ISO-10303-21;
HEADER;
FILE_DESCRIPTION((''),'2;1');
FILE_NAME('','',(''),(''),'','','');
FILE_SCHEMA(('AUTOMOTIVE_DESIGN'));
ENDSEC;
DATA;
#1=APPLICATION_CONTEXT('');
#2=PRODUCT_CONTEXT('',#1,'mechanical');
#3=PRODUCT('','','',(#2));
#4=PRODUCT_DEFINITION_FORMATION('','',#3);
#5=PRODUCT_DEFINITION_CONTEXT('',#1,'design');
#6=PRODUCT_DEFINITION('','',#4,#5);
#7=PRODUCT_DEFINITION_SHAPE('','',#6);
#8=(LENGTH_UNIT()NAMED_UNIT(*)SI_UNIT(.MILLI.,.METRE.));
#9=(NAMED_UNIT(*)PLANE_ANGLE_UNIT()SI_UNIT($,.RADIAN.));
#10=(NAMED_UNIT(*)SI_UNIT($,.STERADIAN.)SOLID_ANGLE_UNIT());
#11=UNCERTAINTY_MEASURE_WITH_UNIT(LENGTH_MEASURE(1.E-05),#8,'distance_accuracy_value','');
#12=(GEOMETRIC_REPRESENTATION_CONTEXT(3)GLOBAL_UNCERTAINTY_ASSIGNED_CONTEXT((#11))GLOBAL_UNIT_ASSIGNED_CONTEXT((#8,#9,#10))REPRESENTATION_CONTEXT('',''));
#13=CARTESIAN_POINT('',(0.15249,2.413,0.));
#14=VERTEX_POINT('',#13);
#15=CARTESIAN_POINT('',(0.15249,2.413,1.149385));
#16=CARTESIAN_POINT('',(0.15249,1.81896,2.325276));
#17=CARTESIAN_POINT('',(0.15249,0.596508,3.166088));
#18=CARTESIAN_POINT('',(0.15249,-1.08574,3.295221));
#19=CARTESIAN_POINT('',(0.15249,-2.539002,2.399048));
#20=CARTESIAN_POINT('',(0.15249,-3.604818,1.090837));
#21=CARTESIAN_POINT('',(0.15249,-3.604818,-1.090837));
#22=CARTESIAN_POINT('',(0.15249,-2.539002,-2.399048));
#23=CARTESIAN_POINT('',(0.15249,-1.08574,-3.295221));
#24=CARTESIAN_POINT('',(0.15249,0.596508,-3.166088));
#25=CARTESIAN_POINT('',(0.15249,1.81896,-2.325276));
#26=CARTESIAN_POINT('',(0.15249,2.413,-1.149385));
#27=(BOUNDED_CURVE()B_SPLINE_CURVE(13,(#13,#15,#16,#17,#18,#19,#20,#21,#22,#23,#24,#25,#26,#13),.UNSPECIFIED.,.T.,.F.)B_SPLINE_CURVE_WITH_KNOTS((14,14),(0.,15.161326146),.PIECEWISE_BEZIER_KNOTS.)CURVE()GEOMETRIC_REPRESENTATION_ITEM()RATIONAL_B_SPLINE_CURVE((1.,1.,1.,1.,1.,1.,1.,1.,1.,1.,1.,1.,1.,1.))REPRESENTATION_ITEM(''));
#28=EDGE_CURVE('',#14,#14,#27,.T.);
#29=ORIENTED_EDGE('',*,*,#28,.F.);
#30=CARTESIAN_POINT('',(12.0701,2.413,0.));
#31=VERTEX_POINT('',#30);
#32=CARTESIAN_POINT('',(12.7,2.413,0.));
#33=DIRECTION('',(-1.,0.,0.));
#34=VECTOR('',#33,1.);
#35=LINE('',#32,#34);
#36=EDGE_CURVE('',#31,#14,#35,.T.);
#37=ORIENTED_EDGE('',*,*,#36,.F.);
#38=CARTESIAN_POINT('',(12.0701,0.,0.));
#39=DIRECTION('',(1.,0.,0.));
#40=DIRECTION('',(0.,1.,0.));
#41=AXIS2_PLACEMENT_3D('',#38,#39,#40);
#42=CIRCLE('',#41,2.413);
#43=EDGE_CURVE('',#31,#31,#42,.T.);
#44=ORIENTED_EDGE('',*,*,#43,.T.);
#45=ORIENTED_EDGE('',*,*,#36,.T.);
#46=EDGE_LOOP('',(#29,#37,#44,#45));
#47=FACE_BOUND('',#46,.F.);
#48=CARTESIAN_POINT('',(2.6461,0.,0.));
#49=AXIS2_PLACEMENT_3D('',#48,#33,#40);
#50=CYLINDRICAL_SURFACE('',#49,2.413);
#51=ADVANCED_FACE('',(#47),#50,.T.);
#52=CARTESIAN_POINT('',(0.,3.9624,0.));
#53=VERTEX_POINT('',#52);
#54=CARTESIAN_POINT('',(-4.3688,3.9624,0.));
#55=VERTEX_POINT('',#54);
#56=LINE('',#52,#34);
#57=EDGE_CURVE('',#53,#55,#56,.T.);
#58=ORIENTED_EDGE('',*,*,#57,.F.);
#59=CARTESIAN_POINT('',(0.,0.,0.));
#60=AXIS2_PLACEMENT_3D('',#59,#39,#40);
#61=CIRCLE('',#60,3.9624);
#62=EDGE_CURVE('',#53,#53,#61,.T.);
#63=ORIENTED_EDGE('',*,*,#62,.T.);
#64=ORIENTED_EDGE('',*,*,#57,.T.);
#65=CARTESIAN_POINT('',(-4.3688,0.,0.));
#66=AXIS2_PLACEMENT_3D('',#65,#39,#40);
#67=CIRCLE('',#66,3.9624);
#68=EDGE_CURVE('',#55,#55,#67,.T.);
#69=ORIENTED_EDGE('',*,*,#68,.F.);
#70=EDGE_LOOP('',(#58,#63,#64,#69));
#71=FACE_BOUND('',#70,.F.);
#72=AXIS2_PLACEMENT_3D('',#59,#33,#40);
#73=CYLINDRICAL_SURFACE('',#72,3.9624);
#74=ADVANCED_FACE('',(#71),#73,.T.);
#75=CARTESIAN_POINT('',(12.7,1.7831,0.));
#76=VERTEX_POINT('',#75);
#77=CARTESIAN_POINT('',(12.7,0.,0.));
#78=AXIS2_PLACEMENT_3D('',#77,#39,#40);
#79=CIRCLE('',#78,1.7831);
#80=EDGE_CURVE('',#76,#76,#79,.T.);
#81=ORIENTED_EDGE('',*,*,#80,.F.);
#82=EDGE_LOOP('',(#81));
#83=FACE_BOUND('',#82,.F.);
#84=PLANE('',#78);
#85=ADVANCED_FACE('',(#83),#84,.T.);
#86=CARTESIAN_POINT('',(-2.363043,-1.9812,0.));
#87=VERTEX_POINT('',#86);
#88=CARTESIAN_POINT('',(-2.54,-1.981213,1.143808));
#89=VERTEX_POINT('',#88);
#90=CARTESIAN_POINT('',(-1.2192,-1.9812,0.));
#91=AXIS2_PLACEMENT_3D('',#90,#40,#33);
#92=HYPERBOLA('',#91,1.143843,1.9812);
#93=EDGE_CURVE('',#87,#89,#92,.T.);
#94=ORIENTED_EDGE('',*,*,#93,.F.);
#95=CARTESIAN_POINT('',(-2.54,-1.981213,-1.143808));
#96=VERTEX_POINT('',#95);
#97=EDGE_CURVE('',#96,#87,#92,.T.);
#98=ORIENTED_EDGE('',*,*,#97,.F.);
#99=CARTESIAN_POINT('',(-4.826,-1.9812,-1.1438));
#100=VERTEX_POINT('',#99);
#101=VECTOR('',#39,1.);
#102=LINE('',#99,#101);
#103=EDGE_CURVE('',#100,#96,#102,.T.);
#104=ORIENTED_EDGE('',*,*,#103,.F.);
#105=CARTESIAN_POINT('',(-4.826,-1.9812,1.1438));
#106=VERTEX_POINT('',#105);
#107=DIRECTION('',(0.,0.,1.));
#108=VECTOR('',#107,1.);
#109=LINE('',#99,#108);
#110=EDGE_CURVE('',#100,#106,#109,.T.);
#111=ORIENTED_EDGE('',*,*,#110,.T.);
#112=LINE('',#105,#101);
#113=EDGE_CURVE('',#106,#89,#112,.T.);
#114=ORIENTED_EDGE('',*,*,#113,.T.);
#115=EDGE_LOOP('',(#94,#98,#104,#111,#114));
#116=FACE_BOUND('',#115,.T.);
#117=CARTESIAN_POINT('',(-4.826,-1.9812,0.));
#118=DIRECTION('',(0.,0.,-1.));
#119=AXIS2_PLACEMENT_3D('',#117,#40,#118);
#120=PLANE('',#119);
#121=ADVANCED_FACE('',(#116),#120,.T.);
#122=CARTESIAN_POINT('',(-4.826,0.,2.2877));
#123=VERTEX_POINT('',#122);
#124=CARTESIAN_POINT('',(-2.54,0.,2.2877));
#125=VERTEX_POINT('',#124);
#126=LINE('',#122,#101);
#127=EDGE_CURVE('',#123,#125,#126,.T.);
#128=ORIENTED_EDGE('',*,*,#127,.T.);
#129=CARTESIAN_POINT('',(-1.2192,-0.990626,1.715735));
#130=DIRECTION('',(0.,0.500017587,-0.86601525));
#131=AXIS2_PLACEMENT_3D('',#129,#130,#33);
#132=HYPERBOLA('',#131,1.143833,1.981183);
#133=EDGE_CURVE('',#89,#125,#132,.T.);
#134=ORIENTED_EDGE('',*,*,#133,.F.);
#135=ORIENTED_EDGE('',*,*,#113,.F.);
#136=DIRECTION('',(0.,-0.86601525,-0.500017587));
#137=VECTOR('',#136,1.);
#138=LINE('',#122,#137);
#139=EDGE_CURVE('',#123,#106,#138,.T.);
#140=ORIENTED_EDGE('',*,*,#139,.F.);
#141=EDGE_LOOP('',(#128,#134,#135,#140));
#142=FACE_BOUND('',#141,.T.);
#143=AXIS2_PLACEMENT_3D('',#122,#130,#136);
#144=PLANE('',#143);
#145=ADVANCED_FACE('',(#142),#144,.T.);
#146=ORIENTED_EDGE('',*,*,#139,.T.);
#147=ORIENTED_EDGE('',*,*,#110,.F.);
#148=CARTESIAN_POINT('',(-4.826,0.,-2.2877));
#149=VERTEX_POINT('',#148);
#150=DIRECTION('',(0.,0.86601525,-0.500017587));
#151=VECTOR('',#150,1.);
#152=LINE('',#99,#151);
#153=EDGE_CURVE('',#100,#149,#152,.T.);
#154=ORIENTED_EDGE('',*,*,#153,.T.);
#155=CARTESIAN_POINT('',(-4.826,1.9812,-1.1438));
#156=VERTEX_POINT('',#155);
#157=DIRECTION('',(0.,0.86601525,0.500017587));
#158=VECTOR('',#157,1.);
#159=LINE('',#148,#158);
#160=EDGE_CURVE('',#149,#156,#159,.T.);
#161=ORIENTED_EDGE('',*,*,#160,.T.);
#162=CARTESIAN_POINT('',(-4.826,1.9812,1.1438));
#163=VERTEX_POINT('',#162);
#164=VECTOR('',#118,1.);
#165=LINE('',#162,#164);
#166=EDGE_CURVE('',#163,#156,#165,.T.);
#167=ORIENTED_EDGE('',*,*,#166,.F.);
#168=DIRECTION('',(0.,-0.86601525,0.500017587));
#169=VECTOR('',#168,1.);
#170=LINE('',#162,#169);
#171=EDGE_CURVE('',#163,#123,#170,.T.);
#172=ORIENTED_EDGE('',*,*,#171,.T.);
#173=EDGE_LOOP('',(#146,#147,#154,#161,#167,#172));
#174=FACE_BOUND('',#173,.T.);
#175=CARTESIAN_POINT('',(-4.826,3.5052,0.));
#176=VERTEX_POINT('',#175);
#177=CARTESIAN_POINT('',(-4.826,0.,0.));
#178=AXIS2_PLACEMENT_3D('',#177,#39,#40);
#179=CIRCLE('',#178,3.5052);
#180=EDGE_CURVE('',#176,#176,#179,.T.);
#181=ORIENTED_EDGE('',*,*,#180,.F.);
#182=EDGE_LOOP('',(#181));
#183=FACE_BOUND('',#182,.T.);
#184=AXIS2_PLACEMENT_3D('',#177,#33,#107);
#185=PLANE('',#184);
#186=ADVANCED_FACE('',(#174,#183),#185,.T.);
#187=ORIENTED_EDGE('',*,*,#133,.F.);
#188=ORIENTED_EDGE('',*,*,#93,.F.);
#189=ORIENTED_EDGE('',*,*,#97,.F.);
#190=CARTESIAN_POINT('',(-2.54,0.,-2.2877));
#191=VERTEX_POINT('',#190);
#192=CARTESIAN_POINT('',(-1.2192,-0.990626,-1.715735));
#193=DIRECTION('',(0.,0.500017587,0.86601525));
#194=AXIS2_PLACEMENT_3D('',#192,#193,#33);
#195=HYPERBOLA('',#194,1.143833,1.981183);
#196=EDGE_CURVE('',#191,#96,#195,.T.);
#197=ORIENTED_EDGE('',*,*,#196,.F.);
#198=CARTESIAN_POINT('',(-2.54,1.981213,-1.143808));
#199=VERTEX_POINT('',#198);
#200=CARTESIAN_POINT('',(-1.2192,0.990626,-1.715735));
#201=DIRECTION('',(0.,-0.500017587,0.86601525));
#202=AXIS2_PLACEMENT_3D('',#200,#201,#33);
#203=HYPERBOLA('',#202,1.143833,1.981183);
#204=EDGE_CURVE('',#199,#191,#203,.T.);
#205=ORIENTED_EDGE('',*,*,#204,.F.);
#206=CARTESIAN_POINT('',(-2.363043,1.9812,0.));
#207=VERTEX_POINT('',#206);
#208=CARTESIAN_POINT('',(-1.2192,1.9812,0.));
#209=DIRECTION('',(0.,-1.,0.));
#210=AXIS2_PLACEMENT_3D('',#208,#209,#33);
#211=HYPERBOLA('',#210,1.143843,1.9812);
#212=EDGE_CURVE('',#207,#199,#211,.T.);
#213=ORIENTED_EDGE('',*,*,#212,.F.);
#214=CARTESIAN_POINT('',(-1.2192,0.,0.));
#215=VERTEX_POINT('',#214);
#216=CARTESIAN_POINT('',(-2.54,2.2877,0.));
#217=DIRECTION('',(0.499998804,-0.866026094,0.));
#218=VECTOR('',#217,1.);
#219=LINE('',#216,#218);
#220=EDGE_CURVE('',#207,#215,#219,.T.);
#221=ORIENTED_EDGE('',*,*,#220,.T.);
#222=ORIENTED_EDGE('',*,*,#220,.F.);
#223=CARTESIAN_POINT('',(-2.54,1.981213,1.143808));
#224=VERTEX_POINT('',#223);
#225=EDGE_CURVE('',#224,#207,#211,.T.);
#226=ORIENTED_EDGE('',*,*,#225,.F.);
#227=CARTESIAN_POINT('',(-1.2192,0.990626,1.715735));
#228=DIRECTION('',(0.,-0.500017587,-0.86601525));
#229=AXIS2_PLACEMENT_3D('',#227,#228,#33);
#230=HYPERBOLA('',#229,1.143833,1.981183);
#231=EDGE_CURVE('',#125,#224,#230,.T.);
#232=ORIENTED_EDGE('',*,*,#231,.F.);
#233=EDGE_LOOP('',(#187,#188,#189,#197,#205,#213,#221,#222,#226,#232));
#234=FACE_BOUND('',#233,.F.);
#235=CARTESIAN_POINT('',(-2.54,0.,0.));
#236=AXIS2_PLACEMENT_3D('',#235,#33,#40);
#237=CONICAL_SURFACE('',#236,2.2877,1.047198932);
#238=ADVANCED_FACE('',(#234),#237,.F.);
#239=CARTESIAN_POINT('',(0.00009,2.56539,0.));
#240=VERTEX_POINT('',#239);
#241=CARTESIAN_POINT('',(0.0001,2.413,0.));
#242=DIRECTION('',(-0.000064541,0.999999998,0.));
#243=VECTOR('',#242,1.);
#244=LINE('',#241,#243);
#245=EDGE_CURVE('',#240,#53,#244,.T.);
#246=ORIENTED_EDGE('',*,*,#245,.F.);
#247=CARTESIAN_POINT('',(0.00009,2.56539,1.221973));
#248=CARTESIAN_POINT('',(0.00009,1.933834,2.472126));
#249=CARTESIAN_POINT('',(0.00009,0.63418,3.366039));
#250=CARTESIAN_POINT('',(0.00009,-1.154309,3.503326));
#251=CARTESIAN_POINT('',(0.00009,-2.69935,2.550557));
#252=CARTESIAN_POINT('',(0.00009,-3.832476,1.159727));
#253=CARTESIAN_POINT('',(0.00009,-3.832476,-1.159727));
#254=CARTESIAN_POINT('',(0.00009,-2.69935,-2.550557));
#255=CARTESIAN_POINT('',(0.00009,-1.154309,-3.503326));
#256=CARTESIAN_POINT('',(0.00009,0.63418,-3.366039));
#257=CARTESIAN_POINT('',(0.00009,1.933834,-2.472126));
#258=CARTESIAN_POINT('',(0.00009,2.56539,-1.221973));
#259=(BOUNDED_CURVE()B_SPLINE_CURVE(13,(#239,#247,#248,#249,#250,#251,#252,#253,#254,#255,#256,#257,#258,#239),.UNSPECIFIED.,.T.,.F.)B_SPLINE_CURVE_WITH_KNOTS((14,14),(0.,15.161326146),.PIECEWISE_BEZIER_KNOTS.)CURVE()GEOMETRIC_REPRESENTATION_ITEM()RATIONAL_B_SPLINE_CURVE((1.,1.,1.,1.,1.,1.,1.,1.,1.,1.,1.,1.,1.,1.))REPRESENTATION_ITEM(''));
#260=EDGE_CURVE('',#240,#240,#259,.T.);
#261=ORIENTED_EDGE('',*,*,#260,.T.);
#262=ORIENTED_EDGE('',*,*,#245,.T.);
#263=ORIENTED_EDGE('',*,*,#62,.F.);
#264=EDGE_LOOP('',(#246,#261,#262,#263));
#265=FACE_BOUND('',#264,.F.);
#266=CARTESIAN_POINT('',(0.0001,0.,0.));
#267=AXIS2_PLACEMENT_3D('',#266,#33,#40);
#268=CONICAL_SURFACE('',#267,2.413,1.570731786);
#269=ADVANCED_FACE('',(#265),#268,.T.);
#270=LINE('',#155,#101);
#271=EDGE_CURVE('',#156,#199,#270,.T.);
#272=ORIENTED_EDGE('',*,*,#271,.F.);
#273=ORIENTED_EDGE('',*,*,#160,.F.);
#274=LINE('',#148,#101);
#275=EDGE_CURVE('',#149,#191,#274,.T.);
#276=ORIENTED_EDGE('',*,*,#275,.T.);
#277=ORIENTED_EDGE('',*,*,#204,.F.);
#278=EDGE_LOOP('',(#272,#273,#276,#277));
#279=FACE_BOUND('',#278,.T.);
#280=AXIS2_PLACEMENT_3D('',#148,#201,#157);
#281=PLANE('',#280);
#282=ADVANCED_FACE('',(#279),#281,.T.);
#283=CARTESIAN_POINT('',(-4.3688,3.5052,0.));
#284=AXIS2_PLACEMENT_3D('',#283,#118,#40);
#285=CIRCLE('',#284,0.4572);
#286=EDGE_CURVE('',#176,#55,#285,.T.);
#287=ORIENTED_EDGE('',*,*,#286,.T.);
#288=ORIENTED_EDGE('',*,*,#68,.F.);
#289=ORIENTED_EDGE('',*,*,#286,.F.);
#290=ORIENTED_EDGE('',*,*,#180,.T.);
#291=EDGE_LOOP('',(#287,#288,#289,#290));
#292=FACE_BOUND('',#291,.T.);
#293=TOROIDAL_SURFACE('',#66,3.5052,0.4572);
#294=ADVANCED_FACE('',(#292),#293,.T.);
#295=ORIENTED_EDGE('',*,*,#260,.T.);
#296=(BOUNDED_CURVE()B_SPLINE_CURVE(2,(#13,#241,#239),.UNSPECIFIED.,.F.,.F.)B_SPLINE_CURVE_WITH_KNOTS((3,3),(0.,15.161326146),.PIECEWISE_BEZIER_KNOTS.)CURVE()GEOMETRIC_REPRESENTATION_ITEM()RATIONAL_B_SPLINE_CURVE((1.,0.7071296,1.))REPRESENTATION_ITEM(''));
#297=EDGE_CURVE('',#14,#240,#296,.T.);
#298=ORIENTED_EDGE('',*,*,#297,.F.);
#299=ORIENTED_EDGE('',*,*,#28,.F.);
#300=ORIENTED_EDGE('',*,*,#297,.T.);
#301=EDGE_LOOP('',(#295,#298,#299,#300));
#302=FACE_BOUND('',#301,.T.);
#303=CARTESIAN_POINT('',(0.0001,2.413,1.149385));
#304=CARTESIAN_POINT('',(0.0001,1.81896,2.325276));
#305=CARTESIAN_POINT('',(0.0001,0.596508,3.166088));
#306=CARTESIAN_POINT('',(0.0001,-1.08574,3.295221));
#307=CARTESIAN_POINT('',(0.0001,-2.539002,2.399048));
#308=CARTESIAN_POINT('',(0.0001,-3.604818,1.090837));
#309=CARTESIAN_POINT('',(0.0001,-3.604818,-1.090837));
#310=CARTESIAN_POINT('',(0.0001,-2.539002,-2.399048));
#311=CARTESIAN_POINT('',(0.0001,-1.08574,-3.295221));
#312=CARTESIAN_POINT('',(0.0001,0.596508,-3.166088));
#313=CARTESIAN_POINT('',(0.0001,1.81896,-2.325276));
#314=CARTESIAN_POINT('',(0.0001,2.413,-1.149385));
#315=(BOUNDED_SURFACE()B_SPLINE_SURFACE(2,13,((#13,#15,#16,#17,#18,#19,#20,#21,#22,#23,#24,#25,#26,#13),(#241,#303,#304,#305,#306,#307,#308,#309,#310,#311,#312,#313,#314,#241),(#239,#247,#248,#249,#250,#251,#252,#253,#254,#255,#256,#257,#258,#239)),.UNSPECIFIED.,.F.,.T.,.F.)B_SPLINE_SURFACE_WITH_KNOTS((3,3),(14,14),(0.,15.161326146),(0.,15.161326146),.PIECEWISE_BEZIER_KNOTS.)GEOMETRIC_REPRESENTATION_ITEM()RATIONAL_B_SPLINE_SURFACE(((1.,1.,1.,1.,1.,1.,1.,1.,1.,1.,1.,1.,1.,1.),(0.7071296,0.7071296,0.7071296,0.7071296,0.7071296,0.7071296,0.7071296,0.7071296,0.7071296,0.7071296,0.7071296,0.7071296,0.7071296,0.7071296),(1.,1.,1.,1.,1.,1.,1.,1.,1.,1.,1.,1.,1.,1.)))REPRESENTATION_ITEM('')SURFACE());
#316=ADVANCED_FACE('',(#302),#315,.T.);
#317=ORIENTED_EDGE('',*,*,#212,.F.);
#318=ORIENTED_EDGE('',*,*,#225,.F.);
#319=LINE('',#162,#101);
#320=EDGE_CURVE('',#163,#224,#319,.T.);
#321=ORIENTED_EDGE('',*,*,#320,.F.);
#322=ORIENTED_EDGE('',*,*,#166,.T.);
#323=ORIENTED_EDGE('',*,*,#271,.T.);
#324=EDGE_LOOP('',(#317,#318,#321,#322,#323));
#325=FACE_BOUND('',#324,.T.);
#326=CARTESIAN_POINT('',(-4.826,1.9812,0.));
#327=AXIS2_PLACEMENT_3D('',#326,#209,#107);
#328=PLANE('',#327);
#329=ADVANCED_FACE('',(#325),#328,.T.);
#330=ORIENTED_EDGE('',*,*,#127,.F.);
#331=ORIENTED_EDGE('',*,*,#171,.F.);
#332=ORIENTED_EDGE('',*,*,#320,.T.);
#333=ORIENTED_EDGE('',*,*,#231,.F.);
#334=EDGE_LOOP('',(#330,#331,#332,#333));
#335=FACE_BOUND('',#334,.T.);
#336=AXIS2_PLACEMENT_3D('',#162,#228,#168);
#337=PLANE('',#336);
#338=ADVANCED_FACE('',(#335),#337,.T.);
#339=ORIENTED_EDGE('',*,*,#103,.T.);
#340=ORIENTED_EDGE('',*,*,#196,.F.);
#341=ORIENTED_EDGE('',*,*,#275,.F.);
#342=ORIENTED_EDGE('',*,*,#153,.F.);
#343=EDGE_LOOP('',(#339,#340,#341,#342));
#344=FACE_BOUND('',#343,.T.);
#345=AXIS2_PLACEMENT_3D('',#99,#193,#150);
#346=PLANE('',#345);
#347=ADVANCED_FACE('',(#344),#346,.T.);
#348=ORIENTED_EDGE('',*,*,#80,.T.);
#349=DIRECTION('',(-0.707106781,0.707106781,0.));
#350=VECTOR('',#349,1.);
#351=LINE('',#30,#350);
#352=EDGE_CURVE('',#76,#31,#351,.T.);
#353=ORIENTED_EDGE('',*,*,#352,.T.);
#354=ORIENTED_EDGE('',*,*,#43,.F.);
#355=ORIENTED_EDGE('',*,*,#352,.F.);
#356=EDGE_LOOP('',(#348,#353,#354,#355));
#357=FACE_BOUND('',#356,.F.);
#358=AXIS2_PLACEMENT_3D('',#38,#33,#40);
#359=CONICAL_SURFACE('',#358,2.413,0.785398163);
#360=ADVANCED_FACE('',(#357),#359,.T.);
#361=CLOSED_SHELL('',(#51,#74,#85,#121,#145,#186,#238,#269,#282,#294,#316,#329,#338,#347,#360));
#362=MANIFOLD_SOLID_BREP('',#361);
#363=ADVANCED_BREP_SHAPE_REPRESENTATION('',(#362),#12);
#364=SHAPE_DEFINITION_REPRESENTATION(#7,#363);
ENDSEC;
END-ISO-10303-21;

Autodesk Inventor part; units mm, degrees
ref_plane "YZ Plane" through (0, 0, 0) normal (1, 0, 0) x (0, 1, 0)
ref_plane "XZ Plane" through (0, 0, 0) normal (0, 1, 0) x (-1, 0, 0)
sketch "Esquisse1" plane through (0, 0, 0) normal (0, 0, 1) x (1, 0, 0)
  line L0 (-1.2192, 0) -> (12.7, 0)
  line L1 (12.7, 0) -> (12.7, 2.413)
  line L2 (12.7, 2.413) -> (2.6461, 2.413)
  line L3 (2.6461, 2.413) -> (0.0001, 2.413)
  line L4 (0.0001, 2.413) -> (0, 2.413)
  line L5 (0, 2.413) -> (0, 3.9624)
  line L6 (0, 3.9624) -> (-4.826, 3.9624)
  line L7 (-4.826, 3.9624) -> (-4.826, 2.2877)
  line L8 (-4.826, 2.2877) -> (-2.54, 2.2877)
  line L9 (-2.54, 2.2877) -> (-1.2192, 0)
  line L10 (-8.3312, 0) -> (16.2052, 0) projected
  line L11 (0, -0.7925) -> (0, 4.7549) projected
  line L12 (2.6461, 2.413) -> (0, 2.413) construction
  dimension "d1" = 10.0539
  dimension "d2" = 2.646
  dimension "d3" = 4.826
  dimension "d4" = 2.286
  dimension "d5" = 60
  dimension "d6" = 4.826
  dimension "d7" = 4.826
  dimension "d8" = 4.5754
  dimension "d9" = 7.9248
  dimension "d26" = 12.7
revolve "Corps" add sketch "Esquisse1" angle 360 about axis through (-1.2192, 0, 0) along (1, 0, 0)
sketch "Esquisse2" plane through (-4.826, 0, 0) normal (-1, 0, 0) x (0, 0, 1)
  circle A0 centre (0, 0) radius 2.2877 projected
  line L0 (0, -5.5474) -> (0, 5.5474) projected
  line L1 (-5.5474, 0) -> (5.5474, 0) projected
  line L2 (2.2877, 0) -> (1.1438, -1.9812)
  line L3 (1.1438, -1.9812) -> (-1.1438, -1.9812)
  line L4 (-1.1438, -1.9812) -> (-2.2877, 0)
  line L5 (-2.2877, 0) -> (-1.1438, 1.9812)
  line L6 (-1.1438, 1.9812) -> (1.1438, 1.9812)
  line L7 (1.1438, 1.9812) -> (2.2877, 0)
extrude "Rainure" add sketch "Esquisse2" against normal up to next contours L7 A0 | A0 L2 | L6 L0 A0 | A0 L0 L3 | L0 L6 A0 | A0 L3 L0 | L4 A0 | A0 L5
fillet "Congé1" radius 0.4572 1 edges at (-4.826, -3.9624, 0)
thread "Filetage" size "10-24 UNC" class "2A" standard "ANSI Unified Screw Threads" length 10.0539
chamfer "Chanfrein1" distance 0.6299 distance2 0.6299 1 edges at (12.7, -2.413, 0) measured on face at (12.7, -0.2686, 0.7084)
ref_plane "Work Plane1" through (29, 0, 0) normal (0, -1, 0) x (1, 0, 0)
fillet "Fillet2" radius 0.1524 1 edges at (0.0001, -2.413, 0)
equation "\"d30\" = R"
equation "\"d17\" = RR"
equation "\"d13\" = GEL"
equation "\"d15\" = -0.5 * SPD + 0.5 * GD"
equation "\"d16\" = GUL"
equation "\"d1\" = GEL"
equation "\"d3\" = KOH"
equation "\"d4\" = INTI"
equation "\"d6\" = GD"
equation "\"d7\" = BDM"
equation "\"d8\" = 1.1547 * SW"
equation "\"d9\" = KOD"
equation "\"d26\" = NLG"
equation "\"GD\" = 4.826"
equation "\"NLG\" = 12.7"
equation "\"GEL\" = 10.05388"
equation "\"KOD\" = 7.9248"
equation "\"KOH\" = 4.826"
equation "\"INTI\" = 2.286"
equation "\"GAL\" = 2.64592"
equation "\"GUL\" = 0.62992"
equation "\"BDM\" = 4.826"
equation "\"SW\" = 3.9624"
equation "\"RR\" = 0.4572"
equation "\"SPD\" = 3.56616"
equation "\"R\" = 0.1524"
equation "\"PHH\" = 0.127"
equation "\"GD1\" = SPD"
equation "\"THREADDIA\" = 4.826"
equation "\"FAWI\" = 45deg"
equation "\"KOH1\" = 4.3434"
equation "\"NND\" = 4.826"
equation "\"TOA\" = 30deg"
equation "\"E0\" = 1.155 * SW"
properties part number "ANSI B18.3 - N° 10 - 24 UNC - 1/2 HS HCS" material "Acier doux"
